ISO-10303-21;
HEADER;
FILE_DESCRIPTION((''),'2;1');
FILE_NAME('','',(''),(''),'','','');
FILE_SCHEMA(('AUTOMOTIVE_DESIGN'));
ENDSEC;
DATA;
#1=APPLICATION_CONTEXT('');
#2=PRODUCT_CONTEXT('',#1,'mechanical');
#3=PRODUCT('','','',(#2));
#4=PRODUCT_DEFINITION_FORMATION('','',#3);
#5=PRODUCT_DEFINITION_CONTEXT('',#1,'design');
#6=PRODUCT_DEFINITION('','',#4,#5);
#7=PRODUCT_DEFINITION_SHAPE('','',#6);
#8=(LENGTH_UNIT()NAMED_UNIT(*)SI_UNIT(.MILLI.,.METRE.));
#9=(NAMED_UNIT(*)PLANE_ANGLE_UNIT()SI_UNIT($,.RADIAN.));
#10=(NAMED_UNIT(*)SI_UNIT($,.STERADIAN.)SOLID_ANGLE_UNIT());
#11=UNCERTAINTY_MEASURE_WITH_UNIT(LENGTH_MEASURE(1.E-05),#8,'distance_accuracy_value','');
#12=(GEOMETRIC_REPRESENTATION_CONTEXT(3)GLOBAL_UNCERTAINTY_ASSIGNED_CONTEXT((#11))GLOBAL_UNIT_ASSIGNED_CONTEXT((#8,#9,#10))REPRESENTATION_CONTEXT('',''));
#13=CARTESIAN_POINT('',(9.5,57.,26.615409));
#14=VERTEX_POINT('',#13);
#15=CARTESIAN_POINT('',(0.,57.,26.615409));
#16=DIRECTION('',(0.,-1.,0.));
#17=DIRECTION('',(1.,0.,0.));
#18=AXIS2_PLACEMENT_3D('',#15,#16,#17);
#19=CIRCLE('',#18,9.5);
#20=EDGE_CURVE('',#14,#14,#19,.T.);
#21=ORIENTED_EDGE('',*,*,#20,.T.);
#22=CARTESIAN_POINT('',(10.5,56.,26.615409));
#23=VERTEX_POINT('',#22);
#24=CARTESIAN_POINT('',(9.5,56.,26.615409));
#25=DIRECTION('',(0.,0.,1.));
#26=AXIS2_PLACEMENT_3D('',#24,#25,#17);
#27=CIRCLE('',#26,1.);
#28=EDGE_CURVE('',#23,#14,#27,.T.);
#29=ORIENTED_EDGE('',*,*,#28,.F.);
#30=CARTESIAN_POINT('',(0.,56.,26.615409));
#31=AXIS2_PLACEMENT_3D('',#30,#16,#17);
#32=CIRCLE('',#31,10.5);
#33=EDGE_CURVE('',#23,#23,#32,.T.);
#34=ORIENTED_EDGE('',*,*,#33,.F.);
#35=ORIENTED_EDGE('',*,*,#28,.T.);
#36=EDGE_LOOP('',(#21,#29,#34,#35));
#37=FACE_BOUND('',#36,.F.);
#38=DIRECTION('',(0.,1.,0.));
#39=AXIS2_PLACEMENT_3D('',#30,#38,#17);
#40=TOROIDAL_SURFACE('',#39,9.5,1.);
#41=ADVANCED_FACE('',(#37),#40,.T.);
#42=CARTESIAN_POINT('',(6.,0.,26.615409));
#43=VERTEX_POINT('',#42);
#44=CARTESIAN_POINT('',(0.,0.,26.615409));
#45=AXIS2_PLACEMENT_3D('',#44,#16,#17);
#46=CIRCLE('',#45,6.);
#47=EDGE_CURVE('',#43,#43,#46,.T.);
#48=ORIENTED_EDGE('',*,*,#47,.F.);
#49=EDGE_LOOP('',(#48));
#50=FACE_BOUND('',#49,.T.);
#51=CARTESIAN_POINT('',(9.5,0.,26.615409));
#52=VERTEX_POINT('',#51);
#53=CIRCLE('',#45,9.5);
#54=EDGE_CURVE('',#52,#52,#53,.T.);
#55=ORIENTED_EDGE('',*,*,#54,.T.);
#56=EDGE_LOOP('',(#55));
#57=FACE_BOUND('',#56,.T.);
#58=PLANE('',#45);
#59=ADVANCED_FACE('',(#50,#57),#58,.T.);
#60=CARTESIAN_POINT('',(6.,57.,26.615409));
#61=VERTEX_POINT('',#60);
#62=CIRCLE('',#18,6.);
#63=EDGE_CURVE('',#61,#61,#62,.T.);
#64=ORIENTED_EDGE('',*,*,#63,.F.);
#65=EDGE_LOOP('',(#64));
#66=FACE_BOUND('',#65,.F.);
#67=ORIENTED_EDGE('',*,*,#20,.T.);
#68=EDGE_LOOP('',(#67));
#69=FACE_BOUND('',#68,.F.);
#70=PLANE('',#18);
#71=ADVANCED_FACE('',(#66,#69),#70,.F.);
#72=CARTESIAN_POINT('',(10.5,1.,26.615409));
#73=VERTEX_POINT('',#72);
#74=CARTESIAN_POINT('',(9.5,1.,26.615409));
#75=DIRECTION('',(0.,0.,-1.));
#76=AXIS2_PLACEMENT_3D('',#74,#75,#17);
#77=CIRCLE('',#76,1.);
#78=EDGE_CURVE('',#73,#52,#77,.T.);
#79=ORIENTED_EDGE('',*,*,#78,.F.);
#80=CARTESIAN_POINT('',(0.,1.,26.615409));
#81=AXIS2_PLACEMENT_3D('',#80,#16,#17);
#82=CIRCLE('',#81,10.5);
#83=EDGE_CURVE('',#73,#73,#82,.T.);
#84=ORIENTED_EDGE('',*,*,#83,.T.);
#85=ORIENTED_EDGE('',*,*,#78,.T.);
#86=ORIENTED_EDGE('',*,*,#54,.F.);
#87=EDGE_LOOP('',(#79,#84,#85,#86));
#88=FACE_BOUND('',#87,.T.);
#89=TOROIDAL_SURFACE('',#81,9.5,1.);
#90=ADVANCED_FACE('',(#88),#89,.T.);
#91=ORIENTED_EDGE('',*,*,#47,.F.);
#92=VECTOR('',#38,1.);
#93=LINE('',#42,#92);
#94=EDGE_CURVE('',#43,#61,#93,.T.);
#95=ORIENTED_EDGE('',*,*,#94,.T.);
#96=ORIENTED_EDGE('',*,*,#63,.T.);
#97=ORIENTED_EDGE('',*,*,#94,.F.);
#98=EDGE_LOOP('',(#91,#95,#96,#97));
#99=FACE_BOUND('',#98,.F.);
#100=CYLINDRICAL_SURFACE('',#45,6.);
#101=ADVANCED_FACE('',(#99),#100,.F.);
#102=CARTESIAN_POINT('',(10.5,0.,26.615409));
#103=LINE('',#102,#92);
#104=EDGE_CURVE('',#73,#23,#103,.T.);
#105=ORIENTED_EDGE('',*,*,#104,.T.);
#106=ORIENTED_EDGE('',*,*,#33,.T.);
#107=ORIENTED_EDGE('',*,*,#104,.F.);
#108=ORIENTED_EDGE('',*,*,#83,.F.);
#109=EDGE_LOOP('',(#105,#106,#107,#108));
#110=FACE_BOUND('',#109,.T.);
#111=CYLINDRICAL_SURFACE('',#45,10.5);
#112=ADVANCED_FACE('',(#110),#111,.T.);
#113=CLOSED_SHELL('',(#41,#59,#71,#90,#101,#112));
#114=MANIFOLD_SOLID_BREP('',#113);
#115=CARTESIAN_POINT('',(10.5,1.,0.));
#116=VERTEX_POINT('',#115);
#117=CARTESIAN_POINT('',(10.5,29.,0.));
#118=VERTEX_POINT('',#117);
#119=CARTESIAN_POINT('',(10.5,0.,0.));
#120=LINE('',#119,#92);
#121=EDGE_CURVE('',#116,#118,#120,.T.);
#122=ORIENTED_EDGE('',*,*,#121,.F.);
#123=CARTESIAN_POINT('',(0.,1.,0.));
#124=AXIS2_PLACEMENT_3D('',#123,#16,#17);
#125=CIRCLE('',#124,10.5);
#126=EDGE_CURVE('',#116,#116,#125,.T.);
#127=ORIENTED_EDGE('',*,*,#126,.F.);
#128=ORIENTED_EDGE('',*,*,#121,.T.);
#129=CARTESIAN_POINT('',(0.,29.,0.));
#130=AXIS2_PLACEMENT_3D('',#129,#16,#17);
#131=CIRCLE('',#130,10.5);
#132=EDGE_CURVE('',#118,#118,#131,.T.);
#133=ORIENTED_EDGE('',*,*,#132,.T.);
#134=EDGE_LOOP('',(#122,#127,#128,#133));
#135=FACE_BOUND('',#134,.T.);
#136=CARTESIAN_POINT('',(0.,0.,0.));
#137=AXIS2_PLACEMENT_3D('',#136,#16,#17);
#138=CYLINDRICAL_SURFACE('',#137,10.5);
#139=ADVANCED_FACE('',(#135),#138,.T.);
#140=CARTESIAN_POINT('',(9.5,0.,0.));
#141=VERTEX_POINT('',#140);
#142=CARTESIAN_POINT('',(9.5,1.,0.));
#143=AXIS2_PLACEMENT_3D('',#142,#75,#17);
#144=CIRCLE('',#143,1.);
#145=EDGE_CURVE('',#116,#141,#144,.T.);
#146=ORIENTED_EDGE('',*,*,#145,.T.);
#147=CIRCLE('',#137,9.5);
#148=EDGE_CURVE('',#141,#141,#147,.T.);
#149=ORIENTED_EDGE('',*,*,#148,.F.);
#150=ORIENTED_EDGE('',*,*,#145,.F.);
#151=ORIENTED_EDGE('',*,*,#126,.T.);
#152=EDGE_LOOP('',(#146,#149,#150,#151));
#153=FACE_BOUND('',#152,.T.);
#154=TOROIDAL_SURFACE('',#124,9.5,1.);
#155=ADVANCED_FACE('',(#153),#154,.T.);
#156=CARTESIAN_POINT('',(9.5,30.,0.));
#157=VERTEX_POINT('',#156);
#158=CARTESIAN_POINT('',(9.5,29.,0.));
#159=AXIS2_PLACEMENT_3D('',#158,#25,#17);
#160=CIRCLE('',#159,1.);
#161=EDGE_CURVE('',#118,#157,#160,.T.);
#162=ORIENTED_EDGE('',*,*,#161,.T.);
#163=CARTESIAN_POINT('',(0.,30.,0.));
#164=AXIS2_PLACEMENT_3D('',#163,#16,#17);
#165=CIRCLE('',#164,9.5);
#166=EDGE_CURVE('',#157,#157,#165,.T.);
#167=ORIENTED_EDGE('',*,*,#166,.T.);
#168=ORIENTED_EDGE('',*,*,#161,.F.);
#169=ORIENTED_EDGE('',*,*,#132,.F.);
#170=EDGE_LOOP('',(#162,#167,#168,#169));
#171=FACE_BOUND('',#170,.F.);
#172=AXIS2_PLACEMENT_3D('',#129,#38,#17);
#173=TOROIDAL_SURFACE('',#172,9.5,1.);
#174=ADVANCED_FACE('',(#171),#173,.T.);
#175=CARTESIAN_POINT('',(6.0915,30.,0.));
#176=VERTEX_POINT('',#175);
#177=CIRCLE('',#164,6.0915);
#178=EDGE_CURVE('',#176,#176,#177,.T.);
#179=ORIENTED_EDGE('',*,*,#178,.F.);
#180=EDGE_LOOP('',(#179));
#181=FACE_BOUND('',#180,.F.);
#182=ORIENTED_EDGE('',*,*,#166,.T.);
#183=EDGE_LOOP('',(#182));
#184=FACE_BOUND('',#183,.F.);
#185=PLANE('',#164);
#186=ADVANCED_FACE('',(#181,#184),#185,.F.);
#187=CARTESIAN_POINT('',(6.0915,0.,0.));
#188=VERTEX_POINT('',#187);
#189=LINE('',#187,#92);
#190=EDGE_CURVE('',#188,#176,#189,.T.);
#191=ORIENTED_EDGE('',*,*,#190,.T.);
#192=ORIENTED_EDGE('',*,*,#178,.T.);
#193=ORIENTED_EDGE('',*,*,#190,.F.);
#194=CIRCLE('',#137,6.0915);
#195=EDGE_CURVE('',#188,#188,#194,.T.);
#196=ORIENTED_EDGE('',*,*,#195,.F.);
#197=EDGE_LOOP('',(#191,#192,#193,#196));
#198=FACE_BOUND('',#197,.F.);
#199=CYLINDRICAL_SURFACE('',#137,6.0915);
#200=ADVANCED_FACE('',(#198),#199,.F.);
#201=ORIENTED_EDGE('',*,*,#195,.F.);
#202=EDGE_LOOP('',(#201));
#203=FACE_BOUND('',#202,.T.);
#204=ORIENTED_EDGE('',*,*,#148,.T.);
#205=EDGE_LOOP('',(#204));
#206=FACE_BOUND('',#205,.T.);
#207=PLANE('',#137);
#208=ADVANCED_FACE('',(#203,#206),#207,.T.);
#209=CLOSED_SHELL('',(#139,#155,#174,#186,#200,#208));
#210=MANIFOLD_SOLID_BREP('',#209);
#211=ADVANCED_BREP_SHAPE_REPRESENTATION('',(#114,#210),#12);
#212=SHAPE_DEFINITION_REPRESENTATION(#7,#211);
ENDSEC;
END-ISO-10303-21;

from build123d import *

# Parameters (mm, degrees)
F0_R     = 10.5
F0_R_2   = 6.0915
F1_DEPTH = 30
F2_R     = 10.5
F2_R_2   = 6
F3_DEPTH = 57
F4_R     = 1
F4_2_R   = 1


with BuildPart() as f1:
    # F0 (on Front) → F1 (new body)
    with BuildSketch(Plane.XZ):
        Circle(F0_R)
        Circle(F0_R_2, mode=Mode.SUBTRACT)
    extrude(amount=-F1_DEPTH)

    # F4#2
    f4_2_edges = [f1.edges().sort_by_distance(p)[0] for p in [
        (-10.5, 0, 0),
        (-10.5, 30, 0),
    ]]
    fillet(f4_2_edges, radius=F4_2_R)


with BuildPart() as f3:
    # F2 (on Front) → F3 (new body)
    with BuildSketch(Plane.XZ):
        with Locations((0, 26.615409)):
            Circle(F2_R)
        with Locations((0, 26.615409)):
            Circle(F2_R_2, mode=Mode.SUBTRACT)
    extrude(amount=-F3_DEPTH)

    # F4
    f4_edges = [f3.edges().sort_by_distance(p)[0] for p in [
        (-10.5, 0, 26.615409),
        (-10.5, 57, 26.615409),
    ]]
    fillet(f4_edges, radius=F4_R)


solid = Compound([f1.part, f3.part])
